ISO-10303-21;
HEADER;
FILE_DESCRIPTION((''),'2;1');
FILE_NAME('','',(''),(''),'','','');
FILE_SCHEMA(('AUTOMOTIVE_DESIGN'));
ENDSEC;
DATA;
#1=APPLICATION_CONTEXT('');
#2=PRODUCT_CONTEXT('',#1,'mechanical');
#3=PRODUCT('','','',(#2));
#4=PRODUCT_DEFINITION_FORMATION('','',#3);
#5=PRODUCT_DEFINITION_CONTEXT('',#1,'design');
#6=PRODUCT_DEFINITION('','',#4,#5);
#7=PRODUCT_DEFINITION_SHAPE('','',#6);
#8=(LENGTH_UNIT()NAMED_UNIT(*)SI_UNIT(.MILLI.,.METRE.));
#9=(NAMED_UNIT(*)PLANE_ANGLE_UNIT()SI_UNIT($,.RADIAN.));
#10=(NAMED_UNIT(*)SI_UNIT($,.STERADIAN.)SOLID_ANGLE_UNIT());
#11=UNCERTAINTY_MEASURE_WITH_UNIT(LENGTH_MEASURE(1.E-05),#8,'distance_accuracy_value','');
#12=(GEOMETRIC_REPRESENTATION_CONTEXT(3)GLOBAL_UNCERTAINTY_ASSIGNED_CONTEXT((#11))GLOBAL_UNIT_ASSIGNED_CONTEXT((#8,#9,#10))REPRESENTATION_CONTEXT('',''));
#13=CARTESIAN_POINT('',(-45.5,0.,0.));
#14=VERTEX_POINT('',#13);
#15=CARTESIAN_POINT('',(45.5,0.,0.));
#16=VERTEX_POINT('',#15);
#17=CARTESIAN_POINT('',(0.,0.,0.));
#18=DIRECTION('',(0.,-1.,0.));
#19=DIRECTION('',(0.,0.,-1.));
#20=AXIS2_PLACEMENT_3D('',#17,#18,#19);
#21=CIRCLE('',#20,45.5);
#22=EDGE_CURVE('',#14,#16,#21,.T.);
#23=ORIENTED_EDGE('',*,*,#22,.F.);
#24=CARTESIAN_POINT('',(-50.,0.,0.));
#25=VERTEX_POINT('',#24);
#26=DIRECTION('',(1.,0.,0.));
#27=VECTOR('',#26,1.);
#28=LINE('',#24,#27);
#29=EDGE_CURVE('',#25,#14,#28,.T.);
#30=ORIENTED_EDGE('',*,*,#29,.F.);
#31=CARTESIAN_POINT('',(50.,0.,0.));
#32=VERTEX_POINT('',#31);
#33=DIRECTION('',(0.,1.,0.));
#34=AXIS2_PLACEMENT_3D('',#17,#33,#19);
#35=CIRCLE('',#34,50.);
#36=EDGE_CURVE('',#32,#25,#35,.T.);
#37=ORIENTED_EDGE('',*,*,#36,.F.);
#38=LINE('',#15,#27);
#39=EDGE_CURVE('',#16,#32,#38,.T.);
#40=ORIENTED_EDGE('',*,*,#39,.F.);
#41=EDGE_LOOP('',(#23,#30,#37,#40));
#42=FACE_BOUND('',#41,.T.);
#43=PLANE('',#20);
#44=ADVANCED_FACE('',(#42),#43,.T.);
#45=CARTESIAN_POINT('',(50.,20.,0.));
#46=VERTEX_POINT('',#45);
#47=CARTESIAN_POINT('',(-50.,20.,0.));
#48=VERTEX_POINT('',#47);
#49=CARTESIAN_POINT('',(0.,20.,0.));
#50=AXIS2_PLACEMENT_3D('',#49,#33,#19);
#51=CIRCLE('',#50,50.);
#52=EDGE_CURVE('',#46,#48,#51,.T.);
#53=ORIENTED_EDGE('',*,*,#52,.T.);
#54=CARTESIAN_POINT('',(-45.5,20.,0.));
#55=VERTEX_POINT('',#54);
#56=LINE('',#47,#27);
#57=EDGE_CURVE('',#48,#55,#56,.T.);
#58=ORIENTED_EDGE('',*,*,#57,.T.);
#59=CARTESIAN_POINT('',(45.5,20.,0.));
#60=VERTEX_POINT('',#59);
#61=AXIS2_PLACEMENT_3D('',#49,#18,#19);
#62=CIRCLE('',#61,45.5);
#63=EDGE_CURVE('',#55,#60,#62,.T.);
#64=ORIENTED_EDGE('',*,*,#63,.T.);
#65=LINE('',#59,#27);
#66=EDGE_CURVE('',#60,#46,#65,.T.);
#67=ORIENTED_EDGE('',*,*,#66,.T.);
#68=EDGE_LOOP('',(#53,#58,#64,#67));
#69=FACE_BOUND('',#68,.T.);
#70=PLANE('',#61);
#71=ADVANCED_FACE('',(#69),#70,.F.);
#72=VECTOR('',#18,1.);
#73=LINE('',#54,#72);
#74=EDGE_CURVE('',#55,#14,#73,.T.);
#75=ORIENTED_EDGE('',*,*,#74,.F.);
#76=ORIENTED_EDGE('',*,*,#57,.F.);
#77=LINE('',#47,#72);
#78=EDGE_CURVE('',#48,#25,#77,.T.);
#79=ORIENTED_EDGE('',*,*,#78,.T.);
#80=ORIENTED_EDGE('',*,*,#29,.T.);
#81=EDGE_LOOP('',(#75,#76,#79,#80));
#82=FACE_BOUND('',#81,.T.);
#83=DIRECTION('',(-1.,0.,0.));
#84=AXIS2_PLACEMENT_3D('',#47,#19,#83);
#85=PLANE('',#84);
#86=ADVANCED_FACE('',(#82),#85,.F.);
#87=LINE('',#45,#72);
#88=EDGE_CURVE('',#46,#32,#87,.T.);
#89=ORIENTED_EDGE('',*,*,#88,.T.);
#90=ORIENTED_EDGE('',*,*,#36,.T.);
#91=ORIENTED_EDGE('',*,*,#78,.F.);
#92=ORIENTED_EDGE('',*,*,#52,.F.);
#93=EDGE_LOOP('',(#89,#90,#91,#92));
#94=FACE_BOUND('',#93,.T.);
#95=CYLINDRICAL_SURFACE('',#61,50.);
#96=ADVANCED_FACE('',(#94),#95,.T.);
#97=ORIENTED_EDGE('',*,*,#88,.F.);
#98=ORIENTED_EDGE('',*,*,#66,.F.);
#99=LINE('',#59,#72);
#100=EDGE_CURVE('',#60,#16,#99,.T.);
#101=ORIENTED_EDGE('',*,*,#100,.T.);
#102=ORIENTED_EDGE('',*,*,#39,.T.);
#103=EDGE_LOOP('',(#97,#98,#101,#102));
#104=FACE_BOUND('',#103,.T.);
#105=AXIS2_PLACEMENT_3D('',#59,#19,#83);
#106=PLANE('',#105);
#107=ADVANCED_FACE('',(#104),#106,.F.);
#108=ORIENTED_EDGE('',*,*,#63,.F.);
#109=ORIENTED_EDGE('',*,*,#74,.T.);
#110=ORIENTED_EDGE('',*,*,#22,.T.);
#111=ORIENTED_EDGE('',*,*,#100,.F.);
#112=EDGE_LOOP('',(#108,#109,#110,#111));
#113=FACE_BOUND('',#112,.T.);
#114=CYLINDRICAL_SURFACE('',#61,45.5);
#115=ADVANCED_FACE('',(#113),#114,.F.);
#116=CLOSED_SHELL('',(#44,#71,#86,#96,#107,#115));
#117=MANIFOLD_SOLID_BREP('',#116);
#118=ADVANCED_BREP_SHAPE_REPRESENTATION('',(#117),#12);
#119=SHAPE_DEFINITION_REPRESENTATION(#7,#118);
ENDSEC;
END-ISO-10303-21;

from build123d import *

# Parameters (mm, degrees)
EXTRUDE_1_DEPTH = 20


with BuildPart() as part:
    # 草图1 → 凸台-拉伸1 (new body)
    with BuildSketch(Plane(origin=(0, 0, 0), x_dir=(1, 0, 0), z_dir=(0, 1, 0))):
        with BuildLine():
            Line((-50, 0), (-45.5, 0))
            ThreePointArc((-45.5, 0), (0, 45.5), (45.5, 0))
            Line((45.5, 0), (50, 0))
            ThreePointArc((50, 0), (0, 50), (-50, 0))
        make_face()
    extrude(amount=EXTRUDE_1_DEPTH)


solid = part.part
